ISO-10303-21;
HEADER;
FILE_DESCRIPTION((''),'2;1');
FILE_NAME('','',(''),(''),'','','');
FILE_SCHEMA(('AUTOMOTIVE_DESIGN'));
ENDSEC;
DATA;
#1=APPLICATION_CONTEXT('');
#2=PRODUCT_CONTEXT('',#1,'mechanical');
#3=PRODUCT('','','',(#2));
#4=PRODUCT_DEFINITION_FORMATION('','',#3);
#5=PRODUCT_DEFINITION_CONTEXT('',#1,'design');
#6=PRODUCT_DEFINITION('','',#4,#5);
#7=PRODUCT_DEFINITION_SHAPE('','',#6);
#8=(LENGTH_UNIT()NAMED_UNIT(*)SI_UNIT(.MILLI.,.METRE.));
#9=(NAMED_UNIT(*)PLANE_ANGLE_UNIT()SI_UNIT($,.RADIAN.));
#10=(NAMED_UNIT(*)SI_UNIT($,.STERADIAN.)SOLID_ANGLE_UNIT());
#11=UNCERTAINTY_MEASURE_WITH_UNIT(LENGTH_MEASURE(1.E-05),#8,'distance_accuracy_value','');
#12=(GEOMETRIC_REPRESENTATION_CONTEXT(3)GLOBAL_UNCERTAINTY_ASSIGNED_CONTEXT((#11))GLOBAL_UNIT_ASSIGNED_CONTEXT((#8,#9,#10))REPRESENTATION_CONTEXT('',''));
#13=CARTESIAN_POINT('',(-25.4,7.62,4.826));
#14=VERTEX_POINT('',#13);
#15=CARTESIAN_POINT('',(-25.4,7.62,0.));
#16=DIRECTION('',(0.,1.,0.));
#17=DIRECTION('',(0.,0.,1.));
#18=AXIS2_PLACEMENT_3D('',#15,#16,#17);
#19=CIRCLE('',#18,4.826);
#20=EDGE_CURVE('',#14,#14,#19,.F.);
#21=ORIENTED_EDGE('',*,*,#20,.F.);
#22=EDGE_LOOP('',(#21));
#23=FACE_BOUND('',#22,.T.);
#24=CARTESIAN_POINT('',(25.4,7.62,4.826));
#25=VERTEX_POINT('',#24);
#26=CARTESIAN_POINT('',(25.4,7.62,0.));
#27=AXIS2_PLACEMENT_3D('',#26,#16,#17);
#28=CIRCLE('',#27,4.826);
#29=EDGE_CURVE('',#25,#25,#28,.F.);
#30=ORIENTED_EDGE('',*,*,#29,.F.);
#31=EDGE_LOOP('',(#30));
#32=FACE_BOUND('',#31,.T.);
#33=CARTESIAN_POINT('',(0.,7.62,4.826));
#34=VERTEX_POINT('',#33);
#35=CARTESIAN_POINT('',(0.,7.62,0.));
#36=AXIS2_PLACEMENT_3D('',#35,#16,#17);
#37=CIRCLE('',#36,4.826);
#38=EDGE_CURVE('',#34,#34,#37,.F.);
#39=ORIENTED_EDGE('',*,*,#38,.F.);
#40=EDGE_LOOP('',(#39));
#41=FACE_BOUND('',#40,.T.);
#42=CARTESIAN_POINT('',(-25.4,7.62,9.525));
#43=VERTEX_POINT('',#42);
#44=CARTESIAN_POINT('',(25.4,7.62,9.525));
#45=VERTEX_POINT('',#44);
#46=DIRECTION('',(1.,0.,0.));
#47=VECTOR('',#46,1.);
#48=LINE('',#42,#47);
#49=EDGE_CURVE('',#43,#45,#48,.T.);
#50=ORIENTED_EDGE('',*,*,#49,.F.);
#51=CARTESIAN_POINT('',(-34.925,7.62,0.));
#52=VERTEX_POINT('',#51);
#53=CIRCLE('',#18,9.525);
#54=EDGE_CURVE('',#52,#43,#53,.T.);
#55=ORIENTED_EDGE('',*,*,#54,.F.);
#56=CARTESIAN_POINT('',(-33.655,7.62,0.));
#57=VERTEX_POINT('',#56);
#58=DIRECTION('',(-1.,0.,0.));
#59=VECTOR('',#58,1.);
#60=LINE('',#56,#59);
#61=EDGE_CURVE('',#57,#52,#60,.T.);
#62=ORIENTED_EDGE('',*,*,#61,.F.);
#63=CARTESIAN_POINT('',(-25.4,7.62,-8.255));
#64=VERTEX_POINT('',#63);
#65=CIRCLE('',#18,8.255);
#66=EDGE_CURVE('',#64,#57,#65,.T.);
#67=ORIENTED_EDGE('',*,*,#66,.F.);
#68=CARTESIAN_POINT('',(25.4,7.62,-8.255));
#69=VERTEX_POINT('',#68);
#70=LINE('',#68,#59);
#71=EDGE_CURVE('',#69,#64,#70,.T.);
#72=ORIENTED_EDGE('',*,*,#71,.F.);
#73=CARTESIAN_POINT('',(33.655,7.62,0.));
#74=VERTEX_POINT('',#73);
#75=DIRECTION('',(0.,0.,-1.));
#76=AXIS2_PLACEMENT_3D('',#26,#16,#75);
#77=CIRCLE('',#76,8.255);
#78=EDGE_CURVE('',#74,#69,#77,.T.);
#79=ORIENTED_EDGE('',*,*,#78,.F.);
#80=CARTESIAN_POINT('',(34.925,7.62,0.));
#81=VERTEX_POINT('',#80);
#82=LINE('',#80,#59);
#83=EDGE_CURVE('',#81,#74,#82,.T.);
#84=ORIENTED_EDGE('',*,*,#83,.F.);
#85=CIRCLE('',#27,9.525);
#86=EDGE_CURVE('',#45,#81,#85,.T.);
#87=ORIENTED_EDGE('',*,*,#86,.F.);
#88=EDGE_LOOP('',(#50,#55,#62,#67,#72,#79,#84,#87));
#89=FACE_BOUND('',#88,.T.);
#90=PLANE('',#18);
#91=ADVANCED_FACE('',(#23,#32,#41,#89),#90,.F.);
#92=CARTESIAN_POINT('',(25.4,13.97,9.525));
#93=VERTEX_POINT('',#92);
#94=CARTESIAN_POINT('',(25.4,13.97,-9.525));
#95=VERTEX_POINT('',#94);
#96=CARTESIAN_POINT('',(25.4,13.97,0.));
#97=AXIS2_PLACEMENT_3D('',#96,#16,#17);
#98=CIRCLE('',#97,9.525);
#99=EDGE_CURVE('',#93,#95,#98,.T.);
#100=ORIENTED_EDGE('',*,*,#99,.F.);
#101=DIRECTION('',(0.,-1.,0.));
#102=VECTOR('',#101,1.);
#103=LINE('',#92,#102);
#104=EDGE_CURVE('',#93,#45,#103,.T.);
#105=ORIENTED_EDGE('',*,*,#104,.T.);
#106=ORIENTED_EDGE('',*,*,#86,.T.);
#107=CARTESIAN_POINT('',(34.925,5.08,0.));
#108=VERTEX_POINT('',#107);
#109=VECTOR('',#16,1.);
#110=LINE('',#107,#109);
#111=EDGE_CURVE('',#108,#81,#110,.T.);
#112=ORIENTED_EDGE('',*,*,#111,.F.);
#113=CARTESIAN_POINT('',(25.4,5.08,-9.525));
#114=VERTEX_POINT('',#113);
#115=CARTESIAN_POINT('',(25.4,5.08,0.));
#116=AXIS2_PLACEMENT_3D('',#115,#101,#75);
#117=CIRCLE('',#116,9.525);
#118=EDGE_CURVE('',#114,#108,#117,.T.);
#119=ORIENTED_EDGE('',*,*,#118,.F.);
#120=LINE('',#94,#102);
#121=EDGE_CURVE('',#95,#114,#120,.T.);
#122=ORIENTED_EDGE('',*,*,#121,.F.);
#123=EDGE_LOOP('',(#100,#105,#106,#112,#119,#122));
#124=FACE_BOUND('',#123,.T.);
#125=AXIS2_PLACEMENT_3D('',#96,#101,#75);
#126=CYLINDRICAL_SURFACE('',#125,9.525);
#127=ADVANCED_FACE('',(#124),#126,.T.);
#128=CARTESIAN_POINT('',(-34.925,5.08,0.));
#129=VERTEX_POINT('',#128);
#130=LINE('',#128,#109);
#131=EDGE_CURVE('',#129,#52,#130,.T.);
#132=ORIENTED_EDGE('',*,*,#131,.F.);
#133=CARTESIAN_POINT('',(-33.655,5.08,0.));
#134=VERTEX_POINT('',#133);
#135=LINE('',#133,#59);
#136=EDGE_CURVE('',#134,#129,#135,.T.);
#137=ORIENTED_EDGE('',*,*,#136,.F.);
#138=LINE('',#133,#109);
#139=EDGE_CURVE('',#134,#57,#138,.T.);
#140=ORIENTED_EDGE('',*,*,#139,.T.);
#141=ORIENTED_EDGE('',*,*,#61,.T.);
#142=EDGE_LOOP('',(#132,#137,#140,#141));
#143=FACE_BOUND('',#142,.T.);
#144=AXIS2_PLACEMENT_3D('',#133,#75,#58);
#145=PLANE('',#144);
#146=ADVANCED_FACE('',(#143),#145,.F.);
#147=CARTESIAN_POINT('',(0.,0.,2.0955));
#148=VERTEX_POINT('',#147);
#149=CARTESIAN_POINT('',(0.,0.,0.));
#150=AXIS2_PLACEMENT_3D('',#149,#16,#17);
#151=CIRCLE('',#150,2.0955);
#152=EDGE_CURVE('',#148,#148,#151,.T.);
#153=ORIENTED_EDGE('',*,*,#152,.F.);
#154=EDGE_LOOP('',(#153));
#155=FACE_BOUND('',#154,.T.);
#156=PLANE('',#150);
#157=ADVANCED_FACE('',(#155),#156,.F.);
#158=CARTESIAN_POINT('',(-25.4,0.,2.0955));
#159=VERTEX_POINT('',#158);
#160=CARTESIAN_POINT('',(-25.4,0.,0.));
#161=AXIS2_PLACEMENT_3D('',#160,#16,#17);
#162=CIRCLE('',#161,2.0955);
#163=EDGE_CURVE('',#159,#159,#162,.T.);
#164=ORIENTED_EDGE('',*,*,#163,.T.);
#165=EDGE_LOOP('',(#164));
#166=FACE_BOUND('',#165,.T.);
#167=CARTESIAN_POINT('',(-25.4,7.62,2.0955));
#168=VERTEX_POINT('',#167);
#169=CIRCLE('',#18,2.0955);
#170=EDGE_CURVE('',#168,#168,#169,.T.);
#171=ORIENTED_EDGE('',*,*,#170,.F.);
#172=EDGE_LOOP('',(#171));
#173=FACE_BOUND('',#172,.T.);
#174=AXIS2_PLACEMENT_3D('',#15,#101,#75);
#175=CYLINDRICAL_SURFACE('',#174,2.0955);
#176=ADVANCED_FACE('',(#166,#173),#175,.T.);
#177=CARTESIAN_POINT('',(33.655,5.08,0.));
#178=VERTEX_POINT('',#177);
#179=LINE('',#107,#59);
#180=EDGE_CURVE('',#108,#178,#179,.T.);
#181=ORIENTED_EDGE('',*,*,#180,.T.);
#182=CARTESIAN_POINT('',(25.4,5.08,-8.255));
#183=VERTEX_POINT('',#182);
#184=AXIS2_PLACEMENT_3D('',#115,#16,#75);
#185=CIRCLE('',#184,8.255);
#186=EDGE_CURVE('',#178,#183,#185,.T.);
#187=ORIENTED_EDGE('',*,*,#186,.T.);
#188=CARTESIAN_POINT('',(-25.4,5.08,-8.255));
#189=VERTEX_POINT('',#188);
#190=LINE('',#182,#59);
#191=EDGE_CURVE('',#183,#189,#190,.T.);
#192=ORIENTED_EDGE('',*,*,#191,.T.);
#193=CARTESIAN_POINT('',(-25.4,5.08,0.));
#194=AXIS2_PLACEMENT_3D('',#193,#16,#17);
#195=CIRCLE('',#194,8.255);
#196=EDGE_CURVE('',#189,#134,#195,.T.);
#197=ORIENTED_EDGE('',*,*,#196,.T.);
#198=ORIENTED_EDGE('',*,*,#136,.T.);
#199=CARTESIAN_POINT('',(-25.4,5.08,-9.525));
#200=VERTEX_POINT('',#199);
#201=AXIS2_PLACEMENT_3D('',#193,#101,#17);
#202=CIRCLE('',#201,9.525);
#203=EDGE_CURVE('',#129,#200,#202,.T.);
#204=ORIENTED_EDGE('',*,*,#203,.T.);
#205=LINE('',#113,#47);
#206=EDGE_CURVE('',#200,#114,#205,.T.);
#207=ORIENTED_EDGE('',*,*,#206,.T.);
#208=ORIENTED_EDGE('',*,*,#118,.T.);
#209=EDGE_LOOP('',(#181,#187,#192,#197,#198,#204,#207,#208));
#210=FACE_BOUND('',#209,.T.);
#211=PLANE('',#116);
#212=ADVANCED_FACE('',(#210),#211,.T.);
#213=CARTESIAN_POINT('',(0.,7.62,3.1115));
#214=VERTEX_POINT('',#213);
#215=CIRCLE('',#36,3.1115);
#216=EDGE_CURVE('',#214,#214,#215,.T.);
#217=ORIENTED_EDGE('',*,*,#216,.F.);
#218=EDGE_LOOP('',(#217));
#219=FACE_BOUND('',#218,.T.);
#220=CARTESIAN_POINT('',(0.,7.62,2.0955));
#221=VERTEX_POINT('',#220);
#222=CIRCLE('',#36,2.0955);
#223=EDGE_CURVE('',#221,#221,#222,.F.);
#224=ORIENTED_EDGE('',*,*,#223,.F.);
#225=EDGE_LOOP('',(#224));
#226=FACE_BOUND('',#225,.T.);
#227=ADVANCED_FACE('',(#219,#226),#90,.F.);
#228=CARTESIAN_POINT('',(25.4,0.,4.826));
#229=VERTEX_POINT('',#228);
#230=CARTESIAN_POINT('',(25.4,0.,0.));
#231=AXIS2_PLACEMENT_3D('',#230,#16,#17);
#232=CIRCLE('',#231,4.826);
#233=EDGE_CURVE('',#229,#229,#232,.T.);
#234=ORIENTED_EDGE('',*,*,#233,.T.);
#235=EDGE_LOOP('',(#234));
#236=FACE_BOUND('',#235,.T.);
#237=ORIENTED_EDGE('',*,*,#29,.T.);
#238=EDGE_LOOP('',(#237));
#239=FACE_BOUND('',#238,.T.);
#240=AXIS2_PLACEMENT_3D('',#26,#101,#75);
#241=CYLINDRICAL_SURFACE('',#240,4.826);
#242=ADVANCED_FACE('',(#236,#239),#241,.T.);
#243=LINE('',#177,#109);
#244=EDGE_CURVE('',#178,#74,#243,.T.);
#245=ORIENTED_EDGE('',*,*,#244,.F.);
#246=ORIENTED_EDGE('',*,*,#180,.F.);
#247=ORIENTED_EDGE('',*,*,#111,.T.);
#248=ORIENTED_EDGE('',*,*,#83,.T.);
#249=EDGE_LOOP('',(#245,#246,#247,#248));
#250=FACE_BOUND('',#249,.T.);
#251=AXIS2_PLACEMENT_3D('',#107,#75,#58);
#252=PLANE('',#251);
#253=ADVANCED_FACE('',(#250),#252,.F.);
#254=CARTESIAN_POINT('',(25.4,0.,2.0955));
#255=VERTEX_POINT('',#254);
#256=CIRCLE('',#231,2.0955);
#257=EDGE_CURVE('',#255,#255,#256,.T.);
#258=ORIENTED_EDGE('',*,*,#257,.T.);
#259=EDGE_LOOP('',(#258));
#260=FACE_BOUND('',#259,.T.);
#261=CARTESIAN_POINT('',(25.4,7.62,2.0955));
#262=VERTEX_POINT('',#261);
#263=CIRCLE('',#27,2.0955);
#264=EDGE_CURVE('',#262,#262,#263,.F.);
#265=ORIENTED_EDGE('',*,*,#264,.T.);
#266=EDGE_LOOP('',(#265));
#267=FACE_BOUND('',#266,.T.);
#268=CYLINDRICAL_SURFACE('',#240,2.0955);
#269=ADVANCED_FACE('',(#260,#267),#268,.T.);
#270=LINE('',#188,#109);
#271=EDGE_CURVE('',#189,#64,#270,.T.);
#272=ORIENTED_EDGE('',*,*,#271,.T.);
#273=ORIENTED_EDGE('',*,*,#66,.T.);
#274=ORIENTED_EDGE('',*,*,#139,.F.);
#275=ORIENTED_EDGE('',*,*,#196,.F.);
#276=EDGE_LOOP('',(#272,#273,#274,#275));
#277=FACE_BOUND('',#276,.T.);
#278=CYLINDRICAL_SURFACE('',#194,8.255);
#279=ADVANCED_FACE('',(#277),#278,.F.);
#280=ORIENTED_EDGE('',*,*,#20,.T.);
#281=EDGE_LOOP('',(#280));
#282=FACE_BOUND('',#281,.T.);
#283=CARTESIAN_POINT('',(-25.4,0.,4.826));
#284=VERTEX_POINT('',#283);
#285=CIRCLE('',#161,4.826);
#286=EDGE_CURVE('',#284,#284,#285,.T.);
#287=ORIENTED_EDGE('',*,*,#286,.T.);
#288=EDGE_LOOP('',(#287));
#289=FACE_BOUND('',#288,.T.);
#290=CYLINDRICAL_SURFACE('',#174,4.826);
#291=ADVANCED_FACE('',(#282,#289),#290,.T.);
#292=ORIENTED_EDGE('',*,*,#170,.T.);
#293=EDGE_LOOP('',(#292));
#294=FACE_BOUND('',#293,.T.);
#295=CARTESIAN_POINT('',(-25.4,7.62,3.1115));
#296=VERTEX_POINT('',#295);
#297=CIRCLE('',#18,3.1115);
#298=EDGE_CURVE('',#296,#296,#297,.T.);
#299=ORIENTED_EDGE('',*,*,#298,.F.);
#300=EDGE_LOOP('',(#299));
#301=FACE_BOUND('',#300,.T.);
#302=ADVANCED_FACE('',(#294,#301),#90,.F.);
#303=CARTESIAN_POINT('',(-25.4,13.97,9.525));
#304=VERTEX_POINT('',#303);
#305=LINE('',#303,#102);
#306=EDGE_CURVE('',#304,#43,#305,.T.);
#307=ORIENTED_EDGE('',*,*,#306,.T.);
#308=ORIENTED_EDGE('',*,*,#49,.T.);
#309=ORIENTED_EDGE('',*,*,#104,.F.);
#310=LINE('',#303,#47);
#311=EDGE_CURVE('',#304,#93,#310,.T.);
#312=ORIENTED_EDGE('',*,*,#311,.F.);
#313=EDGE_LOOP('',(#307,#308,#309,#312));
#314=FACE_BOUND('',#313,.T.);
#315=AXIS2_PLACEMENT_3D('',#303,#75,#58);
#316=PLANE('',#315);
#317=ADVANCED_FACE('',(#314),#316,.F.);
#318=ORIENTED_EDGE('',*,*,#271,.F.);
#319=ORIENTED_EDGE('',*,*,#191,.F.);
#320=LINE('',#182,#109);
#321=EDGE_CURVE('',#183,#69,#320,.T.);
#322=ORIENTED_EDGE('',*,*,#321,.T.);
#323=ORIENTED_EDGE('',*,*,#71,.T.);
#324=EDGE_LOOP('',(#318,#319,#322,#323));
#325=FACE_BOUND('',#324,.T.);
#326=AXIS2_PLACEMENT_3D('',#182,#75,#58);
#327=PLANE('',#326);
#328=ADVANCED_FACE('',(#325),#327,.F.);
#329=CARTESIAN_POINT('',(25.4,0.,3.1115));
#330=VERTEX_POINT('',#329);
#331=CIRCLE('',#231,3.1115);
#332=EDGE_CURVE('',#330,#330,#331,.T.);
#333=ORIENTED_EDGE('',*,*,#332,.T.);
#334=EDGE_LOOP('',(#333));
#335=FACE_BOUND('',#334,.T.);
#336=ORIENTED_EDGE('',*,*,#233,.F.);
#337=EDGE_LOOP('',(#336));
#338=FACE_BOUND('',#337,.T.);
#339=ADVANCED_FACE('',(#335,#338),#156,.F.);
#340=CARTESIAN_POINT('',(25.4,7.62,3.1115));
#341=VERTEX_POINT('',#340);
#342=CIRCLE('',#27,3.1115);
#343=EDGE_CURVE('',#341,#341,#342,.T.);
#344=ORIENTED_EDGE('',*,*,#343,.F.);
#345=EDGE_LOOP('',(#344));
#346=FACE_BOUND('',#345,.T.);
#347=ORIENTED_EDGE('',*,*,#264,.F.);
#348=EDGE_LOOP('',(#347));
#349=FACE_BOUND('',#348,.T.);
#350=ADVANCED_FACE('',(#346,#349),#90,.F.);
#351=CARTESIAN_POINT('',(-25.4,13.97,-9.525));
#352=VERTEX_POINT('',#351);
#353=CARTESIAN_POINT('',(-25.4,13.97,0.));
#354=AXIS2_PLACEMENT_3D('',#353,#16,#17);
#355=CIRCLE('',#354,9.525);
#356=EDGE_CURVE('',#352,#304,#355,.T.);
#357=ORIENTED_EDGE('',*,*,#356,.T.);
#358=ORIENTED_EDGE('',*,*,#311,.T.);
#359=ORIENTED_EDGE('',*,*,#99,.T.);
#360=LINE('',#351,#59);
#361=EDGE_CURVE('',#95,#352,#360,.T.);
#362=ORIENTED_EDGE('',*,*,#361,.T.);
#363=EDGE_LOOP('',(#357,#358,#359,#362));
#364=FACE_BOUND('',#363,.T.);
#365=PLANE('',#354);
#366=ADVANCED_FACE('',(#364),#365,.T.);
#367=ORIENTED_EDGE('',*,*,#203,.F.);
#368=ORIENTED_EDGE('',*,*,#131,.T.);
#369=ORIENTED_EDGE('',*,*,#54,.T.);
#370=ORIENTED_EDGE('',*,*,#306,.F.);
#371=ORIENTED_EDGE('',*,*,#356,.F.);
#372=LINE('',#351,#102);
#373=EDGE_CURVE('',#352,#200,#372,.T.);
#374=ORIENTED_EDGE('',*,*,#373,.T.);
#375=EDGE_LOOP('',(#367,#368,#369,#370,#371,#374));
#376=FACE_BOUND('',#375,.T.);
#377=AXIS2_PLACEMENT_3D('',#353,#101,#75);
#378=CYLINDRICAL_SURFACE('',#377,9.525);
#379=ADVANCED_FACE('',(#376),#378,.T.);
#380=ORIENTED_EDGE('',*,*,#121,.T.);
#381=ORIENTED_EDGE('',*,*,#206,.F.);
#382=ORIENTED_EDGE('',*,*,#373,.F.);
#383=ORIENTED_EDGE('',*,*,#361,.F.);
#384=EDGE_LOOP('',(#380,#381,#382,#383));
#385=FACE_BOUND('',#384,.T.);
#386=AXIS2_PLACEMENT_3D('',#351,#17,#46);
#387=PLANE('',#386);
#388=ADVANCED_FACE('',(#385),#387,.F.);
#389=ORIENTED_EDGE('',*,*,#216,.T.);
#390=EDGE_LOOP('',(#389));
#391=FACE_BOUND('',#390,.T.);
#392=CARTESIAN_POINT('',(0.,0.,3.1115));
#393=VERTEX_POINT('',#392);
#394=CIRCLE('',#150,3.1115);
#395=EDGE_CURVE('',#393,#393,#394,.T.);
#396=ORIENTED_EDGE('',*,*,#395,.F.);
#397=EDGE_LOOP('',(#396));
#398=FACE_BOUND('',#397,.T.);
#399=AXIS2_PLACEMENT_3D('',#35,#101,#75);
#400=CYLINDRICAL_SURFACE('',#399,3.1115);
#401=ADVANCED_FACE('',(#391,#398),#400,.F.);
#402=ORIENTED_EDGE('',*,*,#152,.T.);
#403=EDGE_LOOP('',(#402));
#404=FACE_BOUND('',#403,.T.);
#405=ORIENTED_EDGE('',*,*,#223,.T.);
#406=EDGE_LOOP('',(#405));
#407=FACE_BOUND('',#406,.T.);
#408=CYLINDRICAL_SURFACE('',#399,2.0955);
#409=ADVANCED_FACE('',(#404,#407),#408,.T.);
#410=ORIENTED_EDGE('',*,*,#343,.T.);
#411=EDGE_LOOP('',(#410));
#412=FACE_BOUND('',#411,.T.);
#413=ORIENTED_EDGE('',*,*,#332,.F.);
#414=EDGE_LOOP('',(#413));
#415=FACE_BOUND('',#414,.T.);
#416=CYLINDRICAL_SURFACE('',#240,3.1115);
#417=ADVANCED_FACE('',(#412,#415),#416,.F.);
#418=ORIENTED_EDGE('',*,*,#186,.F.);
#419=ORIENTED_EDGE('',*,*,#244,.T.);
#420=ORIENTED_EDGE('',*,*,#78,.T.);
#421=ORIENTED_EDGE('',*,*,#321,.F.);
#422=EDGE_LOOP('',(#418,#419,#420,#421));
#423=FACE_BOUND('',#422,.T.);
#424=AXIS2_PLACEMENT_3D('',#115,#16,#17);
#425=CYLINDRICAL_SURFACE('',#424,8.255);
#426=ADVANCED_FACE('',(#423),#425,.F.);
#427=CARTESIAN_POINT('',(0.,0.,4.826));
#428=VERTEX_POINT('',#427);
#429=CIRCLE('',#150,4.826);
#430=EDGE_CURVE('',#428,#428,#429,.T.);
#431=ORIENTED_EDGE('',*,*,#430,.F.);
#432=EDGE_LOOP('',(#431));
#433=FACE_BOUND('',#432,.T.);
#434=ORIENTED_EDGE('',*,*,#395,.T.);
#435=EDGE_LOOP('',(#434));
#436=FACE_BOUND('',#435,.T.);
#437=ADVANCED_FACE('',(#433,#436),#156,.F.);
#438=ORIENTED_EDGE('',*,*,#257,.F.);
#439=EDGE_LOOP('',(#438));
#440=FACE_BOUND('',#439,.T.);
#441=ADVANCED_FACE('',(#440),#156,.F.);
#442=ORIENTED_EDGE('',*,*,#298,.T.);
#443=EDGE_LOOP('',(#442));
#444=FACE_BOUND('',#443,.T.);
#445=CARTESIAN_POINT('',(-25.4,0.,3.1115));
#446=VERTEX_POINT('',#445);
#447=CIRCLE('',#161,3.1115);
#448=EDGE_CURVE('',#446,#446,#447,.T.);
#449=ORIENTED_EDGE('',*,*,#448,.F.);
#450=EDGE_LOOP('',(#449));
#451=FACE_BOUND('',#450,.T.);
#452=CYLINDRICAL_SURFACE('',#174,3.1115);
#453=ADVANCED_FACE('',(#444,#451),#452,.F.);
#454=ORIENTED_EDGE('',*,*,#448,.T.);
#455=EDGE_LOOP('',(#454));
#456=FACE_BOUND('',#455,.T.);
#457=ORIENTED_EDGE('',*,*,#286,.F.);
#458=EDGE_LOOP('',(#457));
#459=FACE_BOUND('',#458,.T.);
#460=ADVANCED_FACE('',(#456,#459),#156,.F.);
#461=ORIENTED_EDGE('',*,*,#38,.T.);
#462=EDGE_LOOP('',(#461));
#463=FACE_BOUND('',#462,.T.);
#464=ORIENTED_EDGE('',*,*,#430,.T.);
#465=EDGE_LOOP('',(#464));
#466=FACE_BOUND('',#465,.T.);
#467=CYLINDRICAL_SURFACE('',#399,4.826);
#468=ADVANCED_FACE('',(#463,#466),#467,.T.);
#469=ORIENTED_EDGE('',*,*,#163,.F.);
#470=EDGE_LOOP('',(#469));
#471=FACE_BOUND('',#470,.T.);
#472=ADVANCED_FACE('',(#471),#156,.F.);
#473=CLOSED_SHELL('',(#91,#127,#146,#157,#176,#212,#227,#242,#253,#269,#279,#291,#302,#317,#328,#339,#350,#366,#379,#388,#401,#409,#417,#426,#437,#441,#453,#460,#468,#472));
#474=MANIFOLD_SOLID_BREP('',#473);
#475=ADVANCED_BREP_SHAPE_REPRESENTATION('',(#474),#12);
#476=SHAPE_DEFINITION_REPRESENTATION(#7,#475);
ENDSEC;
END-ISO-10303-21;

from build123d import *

# Parameters (mm, degrees)
SKETCH1_R        = 2.0955
PLUGS_DEPTH      = 7.62
SKETCH1_R_2      = 4.826
SKETCH1_R_3      = 3.1115
PLUGS_2_DEPTH    = 7.62
PLUGS_3_DEPTH    = 7.62
PLUGS_4_DEPTH    = 7.62
PLUGS_5_DEPTH    = 7.62
PLUGS_6_DEPTH    = 7.62
BACK_PLATE_DEPTH = 6.35
RAIN_GUARD_DEPTH = 2.54


with BuildPart() as part:
    # Sketch1 → Plugs (new body)
    with BuildSketch(Plane(origin=(0, 0, 0), x_dir=(1, 0, 0), z_dir=(0, 1, 0))):
        with Locations((-25.4, 0)):
            Circle(SKETCH1_R)
    extrude(amount=PLUGS_DEPTH)



with BuildPart() as body_2:
    # Sketch1 → Plugs 2 (new body)
    with BuildSketch(Plane(origin=(0, 0, 0), x_dir=(1, 0, 0), z_dir=(0, 1, 0))):
        with Locations((-25.4, 0)):
            Circle(SKETCH1_R_2)
        with Locations((-25.4, 0)):
            Circle(SKETCH1_R_3, mode=Mode.SUBTRACT)
    extrude(amount=PLUGS_2_DEPTH)


with BuildPart() as body_3:
    # Sketch1 → Plugs 3 (new body)
    with BuildSketch(Plane(origin=(0, 0, 0), x_dir=(1, 0, 0), z_dir=(0, 1, 0))):
        Circle(SKETCH1_R)
    extrude(amount=PLUGS_3_DEPTH)


with BuildPart() as body_4:
    # Sketch1 → Plugs 4 (new body)
    with BuildSketch(Plane(origin=(0, 0, 0), x_dir=(1, 0, 0), z_dir=(0, 1, 0))):
        Circle(SKETCH1_R_2)
        Circle(SKETCH1_R_3, mode=Mode.SUBTRACT)
    extrude(amount=PLUGS_4_DEPTH)


with BuildPart() as body_5:
    # Sketch1 → Plugs 5 (new body)
    with BuildSketch(Plane(origin=(0, 0, 0), x_dir=(1, 0, 0), z_dir=(0, 1, 0))):
        with Locations((25.4, 0)):
            Circle(SKETCH1_R)
    extrude(amount=PLUGS_5_DEPTH)


with BuildPart() as body_6:
    # Sketch1 → Plugs 6 (new body)
    with BuildSketch(Plane(origin=(0, 0, 0), x_dir=(1, 0, 0), z_dir=(0, 1, 0))):
        with Locations((25.4, 0)):
            Circle(SKETCH1_R_2)
        with Locations((25.4, 0)):
            Circle(SKETCH1_R_3, mode=Mode.SUBTRACT)
    extrude(amount=PLUGS_6_DEPTH)


with BuildPart() as part_1:
    add(part.part)

    add(body_2.part)  # Back Plate merges body 2

    add(body_3.part)  # Back Plate merges body 3

    add(body_4.part)  # Back Plate merges body 4

    add(body_5.part)  # Back Plate merges body 5

    add(body_6.part)  # Back Plate merges body 6
    # Sketch2 → Back Plate (add)
    with BuildSketch(Plane(origin=(0, 7.62, 0), x_dir=(1, 0, 0), z_dir=(0, 1, 0))):
        with BuildLine():
            Line((-25.4, 9.525), (25.4, 9.525))
            ThreePointArc((25.4, 9.525), (34.925, 0), (25.4, -9.525))
            Line((25.4, -9.525), (-25.4, -9.525))
            ThreePointArc((-25.4, -9.525), (-34.925, 0), (-25.4, 9.525))
        make_face()
    extrude(amount=BACK_PLATE_DEPTH)

    # Sketch3 → Rain Guard (add)
    with BuildSketch(Plane.XZ.offset(-7.62)):
        with BuildLine():
            Line((25.4, -9.525), (-25.4, -9.525))
            ThreePointArc((-25.4, -9.525), (-32.135192091, -6.735192091), (-34.925, 0))
            Line((-34.925, 0), (-33.655, 0))
            ThreePointArc((-33.655, 0), (-31.237166479, -5.837166479), (-25.4, -8.255))
            Line((-25.4, -8.255), (25.4, -8.255))
            ThreePointArc((25.4, -8.255), (31.237166479, -5.837166479), (33.655, 0))
            Line((33.655, 0), (34.925, 0))
            ThreePointArc((34.925, 0), (32.135192091, -6.735192091), (25.4, -9.525))
        make_face()
    extrude(amount=RAIN_GUARD_DEPTH)


solid = part_1.part
